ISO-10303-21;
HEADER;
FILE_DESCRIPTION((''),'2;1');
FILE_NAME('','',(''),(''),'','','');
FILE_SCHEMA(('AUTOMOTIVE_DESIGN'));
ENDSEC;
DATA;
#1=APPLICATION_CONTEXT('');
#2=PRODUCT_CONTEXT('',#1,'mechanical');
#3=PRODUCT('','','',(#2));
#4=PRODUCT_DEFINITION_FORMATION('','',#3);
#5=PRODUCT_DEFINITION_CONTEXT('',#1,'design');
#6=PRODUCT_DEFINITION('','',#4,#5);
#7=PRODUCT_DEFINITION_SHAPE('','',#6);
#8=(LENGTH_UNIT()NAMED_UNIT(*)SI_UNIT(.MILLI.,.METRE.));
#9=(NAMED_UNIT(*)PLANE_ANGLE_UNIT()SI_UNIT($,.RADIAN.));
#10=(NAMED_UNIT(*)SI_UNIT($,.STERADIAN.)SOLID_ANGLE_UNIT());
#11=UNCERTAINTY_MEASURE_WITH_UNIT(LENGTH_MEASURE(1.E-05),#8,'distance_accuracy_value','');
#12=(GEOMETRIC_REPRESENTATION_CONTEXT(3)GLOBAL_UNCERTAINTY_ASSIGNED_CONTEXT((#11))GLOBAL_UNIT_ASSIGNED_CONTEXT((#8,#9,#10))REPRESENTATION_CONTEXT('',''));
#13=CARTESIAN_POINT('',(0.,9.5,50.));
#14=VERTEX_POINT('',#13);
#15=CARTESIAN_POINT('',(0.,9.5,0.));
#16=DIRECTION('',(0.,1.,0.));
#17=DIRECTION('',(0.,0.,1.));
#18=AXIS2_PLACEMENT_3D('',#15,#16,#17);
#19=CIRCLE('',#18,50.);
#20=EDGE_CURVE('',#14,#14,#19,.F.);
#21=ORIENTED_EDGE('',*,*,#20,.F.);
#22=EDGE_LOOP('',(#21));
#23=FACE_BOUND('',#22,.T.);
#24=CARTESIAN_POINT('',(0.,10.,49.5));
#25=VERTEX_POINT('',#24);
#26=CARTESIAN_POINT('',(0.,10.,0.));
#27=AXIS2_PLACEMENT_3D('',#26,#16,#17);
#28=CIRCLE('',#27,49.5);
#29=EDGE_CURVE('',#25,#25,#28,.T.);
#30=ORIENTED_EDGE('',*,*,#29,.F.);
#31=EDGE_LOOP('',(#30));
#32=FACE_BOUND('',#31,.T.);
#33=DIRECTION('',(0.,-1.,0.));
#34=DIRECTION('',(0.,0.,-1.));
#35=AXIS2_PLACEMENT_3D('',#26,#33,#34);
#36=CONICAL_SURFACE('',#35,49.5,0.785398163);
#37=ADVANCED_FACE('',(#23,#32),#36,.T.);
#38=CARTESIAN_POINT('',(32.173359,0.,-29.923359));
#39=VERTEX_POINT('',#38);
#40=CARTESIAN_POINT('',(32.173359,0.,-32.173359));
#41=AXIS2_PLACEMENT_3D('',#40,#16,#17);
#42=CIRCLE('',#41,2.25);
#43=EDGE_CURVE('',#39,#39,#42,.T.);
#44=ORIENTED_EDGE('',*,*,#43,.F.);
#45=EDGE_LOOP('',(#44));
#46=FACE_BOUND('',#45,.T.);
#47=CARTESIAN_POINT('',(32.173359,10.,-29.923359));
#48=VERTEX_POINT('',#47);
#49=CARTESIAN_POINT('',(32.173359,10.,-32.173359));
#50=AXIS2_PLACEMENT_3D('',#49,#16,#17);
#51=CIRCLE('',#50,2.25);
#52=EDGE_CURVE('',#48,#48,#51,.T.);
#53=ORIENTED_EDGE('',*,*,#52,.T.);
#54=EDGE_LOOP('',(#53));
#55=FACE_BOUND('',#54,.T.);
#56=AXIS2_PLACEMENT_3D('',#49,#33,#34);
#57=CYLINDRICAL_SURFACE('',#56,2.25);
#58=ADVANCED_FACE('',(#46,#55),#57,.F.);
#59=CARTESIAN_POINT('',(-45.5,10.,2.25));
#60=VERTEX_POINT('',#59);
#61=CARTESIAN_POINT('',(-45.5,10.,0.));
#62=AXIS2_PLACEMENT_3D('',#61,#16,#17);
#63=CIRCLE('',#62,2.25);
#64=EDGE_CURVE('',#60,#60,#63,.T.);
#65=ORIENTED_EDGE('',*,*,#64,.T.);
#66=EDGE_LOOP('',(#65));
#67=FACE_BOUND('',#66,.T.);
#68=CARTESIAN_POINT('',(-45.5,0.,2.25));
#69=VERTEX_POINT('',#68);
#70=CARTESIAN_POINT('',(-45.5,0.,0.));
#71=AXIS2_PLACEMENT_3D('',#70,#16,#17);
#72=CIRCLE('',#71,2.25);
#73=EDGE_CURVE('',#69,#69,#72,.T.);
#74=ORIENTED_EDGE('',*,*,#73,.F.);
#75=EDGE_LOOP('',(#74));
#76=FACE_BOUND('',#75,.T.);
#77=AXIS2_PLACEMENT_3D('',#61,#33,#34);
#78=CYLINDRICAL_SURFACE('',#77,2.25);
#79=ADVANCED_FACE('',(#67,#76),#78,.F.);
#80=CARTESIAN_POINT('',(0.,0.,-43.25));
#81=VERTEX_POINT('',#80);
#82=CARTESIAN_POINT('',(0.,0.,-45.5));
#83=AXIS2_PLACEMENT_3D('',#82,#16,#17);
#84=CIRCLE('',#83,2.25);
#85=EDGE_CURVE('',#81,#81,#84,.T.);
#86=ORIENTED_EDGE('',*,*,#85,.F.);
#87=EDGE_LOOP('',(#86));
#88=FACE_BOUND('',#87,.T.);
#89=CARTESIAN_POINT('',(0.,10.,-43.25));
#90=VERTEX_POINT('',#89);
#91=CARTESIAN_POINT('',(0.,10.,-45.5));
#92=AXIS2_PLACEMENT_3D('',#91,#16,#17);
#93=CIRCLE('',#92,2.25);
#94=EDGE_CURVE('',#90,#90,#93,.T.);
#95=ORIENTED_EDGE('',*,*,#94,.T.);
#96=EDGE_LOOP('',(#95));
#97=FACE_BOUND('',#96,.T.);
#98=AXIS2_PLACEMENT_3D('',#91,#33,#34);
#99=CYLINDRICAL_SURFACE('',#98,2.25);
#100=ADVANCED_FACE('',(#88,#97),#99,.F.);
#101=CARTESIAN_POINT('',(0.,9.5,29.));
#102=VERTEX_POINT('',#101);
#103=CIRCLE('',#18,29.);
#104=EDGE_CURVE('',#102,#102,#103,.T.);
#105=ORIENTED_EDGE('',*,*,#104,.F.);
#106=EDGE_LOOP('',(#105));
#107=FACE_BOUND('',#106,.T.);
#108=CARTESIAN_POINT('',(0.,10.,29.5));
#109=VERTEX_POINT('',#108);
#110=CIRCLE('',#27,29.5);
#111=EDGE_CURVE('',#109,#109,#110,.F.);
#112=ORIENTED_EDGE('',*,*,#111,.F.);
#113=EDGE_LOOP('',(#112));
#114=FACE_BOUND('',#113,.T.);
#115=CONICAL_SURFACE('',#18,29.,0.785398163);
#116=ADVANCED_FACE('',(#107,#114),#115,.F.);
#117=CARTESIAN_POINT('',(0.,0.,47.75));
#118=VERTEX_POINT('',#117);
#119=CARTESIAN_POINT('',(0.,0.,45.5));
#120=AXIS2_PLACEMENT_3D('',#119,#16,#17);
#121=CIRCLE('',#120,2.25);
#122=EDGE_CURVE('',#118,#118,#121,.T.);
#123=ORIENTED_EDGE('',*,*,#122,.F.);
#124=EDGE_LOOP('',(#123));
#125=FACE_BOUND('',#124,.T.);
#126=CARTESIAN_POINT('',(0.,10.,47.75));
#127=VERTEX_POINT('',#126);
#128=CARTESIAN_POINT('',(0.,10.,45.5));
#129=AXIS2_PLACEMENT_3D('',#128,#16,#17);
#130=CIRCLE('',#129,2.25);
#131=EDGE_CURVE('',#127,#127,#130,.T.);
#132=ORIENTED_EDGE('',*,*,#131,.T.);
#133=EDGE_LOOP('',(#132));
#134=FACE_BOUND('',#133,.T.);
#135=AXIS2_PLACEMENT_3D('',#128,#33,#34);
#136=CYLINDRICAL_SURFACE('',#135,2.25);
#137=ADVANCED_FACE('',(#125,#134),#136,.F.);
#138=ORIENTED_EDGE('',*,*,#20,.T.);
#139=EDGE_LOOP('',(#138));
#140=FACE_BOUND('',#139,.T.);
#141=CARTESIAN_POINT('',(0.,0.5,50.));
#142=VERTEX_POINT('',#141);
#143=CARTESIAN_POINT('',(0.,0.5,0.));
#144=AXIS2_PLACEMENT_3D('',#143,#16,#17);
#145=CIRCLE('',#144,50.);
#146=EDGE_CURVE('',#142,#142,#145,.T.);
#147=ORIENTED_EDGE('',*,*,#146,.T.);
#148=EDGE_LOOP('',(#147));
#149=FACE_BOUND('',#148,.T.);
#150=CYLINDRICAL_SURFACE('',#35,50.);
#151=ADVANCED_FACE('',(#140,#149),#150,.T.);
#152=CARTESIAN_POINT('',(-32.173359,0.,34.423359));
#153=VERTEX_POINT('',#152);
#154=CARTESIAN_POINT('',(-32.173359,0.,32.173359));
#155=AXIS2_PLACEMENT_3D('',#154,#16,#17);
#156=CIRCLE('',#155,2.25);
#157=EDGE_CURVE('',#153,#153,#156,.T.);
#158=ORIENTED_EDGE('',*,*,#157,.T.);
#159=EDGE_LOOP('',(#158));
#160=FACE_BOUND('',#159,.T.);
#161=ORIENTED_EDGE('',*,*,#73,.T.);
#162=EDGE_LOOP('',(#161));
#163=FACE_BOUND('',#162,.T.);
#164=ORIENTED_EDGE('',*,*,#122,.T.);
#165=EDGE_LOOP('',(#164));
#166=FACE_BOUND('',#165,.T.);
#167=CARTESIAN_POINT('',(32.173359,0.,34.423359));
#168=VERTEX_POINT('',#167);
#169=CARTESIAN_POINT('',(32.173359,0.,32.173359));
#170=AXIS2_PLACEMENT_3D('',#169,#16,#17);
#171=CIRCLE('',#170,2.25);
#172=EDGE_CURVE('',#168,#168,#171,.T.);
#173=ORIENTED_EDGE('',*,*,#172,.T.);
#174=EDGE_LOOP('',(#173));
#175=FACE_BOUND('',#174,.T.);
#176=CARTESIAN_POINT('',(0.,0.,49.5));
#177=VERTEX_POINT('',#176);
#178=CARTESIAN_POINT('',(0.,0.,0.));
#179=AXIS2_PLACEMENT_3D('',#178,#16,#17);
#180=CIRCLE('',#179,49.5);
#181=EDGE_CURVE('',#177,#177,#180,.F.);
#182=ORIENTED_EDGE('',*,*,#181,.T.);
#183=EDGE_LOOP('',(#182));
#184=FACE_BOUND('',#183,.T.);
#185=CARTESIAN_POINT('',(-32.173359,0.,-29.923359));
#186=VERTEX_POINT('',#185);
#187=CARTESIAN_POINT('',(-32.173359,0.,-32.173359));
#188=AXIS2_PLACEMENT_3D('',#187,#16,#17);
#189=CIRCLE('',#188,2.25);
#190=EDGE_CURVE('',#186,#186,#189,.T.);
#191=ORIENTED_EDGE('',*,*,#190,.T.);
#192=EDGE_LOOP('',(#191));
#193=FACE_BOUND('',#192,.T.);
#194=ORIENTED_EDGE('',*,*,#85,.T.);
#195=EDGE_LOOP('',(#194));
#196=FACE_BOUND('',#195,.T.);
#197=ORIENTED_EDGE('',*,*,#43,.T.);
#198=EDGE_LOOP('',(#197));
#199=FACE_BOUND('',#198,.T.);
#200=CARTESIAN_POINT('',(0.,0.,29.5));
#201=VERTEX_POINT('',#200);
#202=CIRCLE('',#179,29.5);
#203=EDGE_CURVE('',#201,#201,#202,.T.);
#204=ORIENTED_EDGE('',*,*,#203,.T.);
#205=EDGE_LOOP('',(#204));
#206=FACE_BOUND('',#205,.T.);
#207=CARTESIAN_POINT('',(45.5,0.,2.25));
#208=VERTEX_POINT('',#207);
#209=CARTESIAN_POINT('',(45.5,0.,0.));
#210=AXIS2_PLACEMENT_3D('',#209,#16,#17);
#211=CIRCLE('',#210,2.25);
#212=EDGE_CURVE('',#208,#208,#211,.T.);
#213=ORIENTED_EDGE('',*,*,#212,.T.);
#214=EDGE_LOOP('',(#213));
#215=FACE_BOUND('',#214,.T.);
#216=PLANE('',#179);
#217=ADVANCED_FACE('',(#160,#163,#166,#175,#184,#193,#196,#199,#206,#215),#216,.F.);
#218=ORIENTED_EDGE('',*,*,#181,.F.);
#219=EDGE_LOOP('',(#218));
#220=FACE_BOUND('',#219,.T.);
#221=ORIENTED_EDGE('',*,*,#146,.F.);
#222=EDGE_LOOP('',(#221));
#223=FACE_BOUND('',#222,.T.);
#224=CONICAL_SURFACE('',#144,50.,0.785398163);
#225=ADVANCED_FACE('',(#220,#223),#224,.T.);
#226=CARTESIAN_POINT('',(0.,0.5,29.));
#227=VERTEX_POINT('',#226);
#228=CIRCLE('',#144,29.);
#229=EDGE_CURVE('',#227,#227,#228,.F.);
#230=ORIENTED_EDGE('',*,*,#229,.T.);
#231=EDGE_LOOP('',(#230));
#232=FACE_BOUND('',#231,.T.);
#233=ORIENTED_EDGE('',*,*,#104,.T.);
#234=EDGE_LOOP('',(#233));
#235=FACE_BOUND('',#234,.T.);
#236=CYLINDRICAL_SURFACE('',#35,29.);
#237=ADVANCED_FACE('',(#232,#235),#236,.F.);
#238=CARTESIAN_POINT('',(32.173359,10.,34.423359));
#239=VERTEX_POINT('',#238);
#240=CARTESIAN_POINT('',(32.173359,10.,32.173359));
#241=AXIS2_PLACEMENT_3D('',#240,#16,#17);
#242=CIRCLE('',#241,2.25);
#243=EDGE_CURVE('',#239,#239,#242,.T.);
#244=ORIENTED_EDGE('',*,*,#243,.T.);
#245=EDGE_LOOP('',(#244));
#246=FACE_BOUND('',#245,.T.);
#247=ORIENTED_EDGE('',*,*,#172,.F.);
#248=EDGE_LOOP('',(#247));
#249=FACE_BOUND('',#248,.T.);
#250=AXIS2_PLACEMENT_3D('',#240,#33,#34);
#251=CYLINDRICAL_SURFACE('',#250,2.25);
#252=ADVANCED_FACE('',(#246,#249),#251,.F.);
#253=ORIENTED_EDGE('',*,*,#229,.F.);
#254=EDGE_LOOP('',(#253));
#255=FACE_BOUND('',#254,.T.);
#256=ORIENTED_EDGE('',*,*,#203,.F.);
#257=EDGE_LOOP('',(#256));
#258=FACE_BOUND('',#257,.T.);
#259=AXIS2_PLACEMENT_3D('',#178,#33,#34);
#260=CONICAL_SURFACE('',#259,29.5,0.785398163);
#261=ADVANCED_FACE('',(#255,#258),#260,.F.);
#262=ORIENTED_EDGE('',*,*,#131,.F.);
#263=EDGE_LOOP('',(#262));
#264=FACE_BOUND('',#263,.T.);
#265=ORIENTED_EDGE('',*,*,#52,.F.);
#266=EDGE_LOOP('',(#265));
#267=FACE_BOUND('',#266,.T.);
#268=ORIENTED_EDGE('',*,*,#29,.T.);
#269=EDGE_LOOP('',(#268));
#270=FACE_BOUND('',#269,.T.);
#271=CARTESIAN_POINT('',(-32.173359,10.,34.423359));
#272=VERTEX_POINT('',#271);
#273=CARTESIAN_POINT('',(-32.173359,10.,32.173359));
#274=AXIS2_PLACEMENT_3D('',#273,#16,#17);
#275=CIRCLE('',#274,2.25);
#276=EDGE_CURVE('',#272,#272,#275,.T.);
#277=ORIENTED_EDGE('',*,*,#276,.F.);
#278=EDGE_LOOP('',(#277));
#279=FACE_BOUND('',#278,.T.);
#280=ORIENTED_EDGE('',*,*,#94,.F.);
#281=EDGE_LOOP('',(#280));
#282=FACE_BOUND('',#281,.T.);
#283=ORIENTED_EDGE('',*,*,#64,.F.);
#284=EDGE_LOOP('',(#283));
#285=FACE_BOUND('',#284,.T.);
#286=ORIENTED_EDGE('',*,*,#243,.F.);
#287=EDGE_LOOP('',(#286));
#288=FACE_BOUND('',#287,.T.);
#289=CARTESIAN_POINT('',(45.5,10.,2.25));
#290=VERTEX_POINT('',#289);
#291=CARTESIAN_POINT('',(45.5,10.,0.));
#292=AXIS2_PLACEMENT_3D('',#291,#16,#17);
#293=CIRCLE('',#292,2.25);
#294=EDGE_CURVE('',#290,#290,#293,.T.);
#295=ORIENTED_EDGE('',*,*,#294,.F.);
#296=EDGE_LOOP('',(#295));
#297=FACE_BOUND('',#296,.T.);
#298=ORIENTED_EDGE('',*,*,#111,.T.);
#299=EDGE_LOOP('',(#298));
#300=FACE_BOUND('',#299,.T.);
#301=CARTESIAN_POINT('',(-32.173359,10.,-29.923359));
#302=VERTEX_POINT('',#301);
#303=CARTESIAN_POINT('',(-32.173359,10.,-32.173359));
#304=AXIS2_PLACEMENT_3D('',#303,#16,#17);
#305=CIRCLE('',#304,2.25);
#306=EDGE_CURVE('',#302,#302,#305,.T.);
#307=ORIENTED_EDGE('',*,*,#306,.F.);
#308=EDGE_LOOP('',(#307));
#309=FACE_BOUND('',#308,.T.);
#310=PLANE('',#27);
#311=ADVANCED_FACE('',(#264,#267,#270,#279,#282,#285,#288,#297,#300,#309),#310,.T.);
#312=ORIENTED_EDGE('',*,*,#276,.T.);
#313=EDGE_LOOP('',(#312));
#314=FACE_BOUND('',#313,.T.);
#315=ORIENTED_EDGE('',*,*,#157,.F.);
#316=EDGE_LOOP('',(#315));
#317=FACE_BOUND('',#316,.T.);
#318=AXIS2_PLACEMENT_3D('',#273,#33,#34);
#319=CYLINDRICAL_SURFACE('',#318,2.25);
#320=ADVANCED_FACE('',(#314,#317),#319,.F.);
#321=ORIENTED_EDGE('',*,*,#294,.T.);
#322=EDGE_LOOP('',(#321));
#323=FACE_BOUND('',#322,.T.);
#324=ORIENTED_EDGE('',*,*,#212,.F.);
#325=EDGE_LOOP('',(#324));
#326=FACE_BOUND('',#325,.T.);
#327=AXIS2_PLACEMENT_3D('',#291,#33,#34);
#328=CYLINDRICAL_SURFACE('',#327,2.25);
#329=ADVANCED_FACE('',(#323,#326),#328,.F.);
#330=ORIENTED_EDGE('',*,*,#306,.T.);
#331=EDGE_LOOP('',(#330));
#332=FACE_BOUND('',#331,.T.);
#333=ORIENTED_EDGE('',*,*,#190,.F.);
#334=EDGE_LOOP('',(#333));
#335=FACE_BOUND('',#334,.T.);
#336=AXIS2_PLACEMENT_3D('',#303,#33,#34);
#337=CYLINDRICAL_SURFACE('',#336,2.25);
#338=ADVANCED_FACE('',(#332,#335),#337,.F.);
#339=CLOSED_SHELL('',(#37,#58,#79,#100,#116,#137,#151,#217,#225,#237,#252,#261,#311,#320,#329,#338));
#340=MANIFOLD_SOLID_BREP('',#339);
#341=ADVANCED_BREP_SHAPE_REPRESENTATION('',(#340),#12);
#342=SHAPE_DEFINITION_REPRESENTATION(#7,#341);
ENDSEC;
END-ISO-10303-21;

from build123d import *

# Parameters (mm, degrees)
SKETCH1_R           = 50
SKETCH1_R_2         = 2.25
SKETCH1_R_3         = 29
BOSS_EXTRUDE1_DEPTH = 10
CHAMFER1_SIZE       = 0.5


with BuildPart() as part:
    # Sketch1 → Boss-Extrude1 (new body)
    with BuildSketch(Plane(origin=(0, 0, 0), x_dir=(1, 0, 0), z_dir=(0, 1, 0))):
        Circle(SKETCH1_R)
        with Locations((0, 45.5)):
            Circle(SKETCH1_R_2, mode=Mode.SUBTRACT)
        with Locations((32.173358544, 32.173358544)):
            Circle(SKETCH1_R_2, mode=Mode.SUBTRACT)
        with Locations((45.5, 0)):
            Circle(SKETCH1_R_2, mode=Mode.SUBTRACT)
        with Locations((32.173358544, -32.173358544)):
            Circle(SKETCH1_R_2, mode=Mode.SUBTRACT)
        with Locations((0, -45.5)):
            Circle(SKETCH1_R_2, mode=Mode.SUBTRACT)
        with Locations((-32.173358544, -32.173358544)):
            Circle(SKETCH1_R_2, mode=Mode.SUBTRACT)
        with Locations((-45.5, 0)):
            Circle(SKETCH1_R_2, mode=Mode.SUBTRACT)
        with Locations((-32.173358544, 32.173358544)):
            Circle(SKETCH1_R_2, mode=Mode.SUBTRACT)
        Circle(SKETCH1_R_3, mode=Mode.SUBTRACT)
    extrude(amount=BOSS_EXTRUDE1_DEPTH)

    # Chamfer1
    chamfer1_edges = [part.edges().sort_by_distance(p)[0] for p in [
        (-29, 10, 0),
        (-29, 0, 0),
        (-50, 10, 0),
        (-50, 0, 0),
    ]]
    chamfer(chamfer1_edges, length=CHAMFER1_SIZE)


solid = part.part
